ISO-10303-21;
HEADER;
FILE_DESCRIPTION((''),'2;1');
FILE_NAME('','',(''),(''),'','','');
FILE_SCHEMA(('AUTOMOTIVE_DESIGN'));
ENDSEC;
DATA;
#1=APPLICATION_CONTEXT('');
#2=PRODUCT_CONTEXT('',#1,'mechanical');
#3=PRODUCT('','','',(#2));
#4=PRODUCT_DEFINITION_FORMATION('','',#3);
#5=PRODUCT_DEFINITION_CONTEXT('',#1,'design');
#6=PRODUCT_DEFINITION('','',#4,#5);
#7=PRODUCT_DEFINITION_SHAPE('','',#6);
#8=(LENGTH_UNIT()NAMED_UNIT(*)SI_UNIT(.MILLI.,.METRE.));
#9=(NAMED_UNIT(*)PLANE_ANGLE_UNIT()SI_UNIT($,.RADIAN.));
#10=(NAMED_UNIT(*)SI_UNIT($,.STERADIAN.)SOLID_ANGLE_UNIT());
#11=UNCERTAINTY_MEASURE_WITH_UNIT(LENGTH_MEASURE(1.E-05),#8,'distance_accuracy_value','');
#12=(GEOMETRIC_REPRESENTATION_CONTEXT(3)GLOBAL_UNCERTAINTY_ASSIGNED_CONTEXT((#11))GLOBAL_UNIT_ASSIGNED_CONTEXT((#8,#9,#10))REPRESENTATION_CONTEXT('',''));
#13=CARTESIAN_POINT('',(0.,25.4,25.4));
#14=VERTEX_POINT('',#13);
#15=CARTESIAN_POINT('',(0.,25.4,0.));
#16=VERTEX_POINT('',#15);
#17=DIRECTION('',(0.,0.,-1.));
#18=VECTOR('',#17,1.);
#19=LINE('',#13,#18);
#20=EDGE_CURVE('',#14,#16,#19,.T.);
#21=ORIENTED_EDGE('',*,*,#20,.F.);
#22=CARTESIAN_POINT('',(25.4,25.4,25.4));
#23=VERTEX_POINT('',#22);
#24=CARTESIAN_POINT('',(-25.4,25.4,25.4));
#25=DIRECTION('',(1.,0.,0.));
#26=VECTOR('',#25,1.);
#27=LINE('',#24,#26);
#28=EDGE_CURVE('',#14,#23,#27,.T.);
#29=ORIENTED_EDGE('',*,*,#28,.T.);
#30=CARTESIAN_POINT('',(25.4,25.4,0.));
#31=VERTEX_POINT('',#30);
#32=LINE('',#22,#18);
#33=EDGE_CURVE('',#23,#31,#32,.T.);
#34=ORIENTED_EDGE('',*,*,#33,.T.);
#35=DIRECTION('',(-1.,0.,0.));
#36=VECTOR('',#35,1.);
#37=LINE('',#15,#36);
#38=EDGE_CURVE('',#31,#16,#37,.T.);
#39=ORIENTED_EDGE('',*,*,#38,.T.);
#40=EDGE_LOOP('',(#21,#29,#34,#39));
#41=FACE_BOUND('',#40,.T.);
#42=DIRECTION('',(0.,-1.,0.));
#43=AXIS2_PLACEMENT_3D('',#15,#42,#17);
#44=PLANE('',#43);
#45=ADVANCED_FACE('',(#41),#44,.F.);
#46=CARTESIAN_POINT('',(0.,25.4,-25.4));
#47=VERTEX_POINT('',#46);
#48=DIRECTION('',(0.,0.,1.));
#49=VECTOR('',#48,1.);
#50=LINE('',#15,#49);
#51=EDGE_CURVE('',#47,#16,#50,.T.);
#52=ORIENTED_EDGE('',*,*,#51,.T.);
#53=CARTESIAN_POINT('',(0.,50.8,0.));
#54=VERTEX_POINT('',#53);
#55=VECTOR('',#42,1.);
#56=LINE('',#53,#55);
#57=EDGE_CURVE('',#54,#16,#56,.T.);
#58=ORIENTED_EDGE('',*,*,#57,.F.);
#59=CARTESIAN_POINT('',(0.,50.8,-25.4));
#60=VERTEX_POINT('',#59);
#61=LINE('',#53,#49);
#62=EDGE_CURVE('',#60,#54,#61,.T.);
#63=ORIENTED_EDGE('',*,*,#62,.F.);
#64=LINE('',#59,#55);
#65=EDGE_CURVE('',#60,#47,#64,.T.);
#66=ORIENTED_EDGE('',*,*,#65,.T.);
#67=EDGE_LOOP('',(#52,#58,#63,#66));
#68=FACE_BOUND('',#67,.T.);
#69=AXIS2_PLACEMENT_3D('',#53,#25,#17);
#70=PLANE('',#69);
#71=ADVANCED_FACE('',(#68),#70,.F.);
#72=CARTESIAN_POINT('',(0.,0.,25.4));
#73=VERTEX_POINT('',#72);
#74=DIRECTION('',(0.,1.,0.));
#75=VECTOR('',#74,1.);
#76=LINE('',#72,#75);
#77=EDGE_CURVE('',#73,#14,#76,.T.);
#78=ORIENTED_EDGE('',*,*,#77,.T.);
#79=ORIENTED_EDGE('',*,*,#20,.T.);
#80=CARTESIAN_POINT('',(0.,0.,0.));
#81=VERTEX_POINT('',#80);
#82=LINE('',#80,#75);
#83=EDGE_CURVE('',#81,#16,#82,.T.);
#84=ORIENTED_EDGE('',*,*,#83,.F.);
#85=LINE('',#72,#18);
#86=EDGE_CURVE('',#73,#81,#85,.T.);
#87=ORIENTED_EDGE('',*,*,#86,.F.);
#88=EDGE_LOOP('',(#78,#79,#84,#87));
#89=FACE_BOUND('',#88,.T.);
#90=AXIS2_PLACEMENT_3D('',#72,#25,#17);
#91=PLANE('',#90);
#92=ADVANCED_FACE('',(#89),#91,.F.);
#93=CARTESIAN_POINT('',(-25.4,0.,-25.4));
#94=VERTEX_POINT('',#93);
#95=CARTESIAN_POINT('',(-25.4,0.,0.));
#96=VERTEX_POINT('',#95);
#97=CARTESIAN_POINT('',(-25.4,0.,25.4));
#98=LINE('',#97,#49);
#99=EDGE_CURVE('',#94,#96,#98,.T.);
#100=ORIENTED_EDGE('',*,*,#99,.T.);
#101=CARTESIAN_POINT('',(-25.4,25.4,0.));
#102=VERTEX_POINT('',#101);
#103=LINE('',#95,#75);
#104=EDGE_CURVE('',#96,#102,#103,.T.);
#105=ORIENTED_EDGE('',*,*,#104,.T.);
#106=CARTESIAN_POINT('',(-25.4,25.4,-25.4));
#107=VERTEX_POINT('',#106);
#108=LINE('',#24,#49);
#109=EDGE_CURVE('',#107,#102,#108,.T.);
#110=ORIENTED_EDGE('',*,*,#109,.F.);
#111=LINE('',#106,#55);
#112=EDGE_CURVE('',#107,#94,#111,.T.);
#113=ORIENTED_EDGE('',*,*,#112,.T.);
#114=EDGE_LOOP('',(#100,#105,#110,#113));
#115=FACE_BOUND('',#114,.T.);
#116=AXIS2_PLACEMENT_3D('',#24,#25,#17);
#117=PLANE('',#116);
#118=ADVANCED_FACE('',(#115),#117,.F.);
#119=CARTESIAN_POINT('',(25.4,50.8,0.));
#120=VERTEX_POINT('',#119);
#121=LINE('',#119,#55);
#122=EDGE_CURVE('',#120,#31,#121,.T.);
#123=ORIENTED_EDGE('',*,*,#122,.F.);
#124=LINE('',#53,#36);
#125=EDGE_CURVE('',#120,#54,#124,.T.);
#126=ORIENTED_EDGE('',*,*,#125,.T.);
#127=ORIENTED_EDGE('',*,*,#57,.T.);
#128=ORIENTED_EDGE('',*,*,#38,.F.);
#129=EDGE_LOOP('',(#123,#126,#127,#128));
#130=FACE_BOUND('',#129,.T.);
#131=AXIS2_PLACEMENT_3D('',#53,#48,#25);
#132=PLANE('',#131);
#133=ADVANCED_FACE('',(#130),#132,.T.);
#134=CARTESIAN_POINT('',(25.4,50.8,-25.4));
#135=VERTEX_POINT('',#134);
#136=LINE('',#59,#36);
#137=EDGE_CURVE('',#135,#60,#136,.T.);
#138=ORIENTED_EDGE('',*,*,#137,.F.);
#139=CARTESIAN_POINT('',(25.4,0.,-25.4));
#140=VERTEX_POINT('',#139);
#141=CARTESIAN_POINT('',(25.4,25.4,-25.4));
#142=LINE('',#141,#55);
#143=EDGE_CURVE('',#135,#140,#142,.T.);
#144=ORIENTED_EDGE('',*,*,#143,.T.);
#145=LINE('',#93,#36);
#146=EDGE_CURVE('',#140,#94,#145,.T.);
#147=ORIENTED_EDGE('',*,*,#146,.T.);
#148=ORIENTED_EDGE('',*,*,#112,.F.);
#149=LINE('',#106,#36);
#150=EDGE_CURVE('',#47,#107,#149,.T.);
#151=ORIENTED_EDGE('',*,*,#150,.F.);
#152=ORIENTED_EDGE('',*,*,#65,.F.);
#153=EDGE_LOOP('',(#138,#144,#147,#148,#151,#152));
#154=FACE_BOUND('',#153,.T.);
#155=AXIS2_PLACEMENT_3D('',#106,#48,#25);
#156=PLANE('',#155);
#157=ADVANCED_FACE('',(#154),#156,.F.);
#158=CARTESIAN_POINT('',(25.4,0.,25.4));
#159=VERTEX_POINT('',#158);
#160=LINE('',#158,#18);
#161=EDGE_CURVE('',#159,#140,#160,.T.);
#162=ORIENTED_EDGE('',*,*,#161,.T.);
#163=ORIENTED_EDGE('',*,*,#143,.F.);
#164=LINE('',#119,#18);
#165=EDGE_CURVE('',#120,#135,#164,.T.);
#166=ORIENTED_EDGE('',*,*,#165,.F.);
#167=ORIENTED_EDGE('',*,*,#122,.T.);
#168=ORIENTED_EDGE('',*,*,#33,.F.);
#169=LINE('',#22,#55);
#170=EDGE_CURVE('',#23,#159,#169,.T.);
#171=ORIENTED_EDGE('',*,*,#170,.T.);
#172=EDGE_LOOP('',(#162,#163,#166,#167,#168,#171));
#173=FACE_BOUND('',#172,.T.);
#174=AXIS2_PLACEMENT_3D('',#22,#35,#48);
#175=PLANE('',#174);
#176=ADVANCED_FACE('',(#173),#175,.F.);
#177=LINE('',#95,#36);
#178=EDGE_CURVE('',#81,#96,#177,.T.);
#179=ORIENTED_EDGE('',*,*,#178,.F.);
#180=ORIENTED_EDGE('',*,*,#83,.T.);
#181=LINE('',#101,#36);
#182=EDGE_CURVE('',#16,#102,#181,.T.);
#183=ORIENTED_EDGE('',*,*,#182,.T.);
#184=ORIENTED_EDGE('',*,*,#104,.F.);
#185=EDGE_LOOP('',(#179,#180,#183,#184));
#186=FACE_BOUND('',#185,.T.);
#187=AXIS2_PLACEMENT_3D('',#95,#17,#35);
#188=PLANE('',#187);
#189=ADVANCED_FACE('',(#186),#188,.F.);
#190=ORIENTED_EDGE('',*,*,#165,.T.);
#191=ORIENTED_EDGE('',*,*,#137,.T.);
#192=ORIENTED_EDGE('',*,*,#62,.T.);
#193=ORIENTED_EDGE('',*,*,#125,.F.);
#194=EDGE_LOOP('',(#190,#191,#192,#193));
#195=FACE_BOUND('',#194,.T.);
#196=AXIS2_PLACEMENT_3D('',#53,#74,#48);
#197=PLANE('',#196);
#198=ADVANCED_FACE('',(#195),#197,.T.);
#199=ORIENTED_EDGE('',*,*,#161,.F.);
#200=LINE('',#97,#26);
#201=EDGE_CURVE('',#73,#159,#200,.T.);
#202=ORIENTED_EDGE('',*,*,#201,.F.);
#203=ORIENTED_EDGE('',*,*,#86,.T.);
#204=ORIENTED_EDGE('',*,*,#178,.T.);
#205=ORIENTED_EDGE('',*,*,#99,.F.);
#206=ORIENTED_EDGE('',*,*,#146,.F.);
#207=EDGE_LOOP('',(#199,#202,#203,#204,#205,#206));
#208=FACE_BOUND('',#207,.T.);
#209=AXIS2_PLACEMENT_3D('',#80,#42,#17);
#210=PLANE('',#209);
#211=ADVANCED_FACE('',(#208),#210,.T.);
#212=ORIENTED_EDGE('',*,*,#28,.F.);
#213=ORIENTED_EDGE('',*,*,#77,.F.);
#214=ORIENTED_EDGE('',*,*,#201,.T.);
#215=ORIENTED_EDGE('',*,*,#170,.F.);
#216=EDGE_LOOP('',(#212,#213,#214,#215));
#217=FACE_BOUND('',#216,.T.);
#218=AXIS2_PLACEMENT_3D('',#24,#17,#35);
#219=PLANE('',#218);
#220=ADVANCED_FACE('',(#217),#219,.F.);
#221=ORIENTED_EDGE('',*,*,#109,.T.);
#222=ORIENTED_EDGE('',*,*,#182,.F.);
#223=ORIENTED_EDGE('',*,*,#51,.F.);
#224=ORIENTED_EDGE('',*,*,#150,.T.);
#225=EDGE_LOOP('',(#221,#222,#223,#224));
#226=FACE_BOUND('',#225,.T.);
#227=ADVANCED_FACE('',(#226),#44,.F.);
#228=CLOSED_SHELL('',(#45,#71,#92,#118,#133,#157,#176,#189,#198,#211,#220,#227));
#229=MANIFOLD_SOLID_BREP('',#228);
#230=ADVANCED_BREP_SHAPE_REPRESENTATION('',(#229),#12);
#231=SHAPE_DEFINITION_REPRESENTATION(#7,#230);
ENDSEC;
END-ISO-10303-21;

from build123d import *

# Parameters (mm, degrees)
SKETCH1_W           = 50.8
SKETCH1_H           = 50.8
BOSS_EXTRUDE1_DEPTH = 25.4
SKETCH2_W           = 25.4
SKETCH2_H           = 25.4
CUT_EXTRUDE1_DEPTH  = 26.4
SKETCH3_W           = 25.4
SKETCH3_H           = 25.4
BOSS_EXTRUDE2_DEPTH = 25.4


with BuildPart() as part:
    # Sketch1 → Boss-Extrude1 (new body)
    with BuildSketch(Plane(origin=(0, 0, 0), x_dir=(1, 0, 0), z_dir=(0, 1, 0))):
        Rectangle(SKETCH1_W, SKETCH1_H)
    extrude(amount=BOSS_EXTRUDE1_DEPTH)

    # Sketch2 → Cut-Extrude1 (cut, through all)
    with BuildSketch(Plane(origin=(0, 25.4, 0), x_dir=(1, 0, 0), z_dir=(0, 1, 0))):
        with Locations((-12.7, -12.7)):
            Rectangle(SKETCH2_W, SKETCH2_H)
    extrude(amount=-CUT_EXTRUDE1_DEPTH, mode=Mode.SUBTRACT)

    # Sketch3 → Boss-Extrude2 (add)
    with BuildSketch(Plane(origin=(0, 25.4, 0), x_dir=(1, 0, 0), z_dir=(0, 1, 0))):
        with Locations((12.7, 12.7)):
            Rectangle(SKETCH3_W, SKETCH3_H)
    extrude(amount=BOSS_EXTRUDE2_DEPTH)


solid = part.part
